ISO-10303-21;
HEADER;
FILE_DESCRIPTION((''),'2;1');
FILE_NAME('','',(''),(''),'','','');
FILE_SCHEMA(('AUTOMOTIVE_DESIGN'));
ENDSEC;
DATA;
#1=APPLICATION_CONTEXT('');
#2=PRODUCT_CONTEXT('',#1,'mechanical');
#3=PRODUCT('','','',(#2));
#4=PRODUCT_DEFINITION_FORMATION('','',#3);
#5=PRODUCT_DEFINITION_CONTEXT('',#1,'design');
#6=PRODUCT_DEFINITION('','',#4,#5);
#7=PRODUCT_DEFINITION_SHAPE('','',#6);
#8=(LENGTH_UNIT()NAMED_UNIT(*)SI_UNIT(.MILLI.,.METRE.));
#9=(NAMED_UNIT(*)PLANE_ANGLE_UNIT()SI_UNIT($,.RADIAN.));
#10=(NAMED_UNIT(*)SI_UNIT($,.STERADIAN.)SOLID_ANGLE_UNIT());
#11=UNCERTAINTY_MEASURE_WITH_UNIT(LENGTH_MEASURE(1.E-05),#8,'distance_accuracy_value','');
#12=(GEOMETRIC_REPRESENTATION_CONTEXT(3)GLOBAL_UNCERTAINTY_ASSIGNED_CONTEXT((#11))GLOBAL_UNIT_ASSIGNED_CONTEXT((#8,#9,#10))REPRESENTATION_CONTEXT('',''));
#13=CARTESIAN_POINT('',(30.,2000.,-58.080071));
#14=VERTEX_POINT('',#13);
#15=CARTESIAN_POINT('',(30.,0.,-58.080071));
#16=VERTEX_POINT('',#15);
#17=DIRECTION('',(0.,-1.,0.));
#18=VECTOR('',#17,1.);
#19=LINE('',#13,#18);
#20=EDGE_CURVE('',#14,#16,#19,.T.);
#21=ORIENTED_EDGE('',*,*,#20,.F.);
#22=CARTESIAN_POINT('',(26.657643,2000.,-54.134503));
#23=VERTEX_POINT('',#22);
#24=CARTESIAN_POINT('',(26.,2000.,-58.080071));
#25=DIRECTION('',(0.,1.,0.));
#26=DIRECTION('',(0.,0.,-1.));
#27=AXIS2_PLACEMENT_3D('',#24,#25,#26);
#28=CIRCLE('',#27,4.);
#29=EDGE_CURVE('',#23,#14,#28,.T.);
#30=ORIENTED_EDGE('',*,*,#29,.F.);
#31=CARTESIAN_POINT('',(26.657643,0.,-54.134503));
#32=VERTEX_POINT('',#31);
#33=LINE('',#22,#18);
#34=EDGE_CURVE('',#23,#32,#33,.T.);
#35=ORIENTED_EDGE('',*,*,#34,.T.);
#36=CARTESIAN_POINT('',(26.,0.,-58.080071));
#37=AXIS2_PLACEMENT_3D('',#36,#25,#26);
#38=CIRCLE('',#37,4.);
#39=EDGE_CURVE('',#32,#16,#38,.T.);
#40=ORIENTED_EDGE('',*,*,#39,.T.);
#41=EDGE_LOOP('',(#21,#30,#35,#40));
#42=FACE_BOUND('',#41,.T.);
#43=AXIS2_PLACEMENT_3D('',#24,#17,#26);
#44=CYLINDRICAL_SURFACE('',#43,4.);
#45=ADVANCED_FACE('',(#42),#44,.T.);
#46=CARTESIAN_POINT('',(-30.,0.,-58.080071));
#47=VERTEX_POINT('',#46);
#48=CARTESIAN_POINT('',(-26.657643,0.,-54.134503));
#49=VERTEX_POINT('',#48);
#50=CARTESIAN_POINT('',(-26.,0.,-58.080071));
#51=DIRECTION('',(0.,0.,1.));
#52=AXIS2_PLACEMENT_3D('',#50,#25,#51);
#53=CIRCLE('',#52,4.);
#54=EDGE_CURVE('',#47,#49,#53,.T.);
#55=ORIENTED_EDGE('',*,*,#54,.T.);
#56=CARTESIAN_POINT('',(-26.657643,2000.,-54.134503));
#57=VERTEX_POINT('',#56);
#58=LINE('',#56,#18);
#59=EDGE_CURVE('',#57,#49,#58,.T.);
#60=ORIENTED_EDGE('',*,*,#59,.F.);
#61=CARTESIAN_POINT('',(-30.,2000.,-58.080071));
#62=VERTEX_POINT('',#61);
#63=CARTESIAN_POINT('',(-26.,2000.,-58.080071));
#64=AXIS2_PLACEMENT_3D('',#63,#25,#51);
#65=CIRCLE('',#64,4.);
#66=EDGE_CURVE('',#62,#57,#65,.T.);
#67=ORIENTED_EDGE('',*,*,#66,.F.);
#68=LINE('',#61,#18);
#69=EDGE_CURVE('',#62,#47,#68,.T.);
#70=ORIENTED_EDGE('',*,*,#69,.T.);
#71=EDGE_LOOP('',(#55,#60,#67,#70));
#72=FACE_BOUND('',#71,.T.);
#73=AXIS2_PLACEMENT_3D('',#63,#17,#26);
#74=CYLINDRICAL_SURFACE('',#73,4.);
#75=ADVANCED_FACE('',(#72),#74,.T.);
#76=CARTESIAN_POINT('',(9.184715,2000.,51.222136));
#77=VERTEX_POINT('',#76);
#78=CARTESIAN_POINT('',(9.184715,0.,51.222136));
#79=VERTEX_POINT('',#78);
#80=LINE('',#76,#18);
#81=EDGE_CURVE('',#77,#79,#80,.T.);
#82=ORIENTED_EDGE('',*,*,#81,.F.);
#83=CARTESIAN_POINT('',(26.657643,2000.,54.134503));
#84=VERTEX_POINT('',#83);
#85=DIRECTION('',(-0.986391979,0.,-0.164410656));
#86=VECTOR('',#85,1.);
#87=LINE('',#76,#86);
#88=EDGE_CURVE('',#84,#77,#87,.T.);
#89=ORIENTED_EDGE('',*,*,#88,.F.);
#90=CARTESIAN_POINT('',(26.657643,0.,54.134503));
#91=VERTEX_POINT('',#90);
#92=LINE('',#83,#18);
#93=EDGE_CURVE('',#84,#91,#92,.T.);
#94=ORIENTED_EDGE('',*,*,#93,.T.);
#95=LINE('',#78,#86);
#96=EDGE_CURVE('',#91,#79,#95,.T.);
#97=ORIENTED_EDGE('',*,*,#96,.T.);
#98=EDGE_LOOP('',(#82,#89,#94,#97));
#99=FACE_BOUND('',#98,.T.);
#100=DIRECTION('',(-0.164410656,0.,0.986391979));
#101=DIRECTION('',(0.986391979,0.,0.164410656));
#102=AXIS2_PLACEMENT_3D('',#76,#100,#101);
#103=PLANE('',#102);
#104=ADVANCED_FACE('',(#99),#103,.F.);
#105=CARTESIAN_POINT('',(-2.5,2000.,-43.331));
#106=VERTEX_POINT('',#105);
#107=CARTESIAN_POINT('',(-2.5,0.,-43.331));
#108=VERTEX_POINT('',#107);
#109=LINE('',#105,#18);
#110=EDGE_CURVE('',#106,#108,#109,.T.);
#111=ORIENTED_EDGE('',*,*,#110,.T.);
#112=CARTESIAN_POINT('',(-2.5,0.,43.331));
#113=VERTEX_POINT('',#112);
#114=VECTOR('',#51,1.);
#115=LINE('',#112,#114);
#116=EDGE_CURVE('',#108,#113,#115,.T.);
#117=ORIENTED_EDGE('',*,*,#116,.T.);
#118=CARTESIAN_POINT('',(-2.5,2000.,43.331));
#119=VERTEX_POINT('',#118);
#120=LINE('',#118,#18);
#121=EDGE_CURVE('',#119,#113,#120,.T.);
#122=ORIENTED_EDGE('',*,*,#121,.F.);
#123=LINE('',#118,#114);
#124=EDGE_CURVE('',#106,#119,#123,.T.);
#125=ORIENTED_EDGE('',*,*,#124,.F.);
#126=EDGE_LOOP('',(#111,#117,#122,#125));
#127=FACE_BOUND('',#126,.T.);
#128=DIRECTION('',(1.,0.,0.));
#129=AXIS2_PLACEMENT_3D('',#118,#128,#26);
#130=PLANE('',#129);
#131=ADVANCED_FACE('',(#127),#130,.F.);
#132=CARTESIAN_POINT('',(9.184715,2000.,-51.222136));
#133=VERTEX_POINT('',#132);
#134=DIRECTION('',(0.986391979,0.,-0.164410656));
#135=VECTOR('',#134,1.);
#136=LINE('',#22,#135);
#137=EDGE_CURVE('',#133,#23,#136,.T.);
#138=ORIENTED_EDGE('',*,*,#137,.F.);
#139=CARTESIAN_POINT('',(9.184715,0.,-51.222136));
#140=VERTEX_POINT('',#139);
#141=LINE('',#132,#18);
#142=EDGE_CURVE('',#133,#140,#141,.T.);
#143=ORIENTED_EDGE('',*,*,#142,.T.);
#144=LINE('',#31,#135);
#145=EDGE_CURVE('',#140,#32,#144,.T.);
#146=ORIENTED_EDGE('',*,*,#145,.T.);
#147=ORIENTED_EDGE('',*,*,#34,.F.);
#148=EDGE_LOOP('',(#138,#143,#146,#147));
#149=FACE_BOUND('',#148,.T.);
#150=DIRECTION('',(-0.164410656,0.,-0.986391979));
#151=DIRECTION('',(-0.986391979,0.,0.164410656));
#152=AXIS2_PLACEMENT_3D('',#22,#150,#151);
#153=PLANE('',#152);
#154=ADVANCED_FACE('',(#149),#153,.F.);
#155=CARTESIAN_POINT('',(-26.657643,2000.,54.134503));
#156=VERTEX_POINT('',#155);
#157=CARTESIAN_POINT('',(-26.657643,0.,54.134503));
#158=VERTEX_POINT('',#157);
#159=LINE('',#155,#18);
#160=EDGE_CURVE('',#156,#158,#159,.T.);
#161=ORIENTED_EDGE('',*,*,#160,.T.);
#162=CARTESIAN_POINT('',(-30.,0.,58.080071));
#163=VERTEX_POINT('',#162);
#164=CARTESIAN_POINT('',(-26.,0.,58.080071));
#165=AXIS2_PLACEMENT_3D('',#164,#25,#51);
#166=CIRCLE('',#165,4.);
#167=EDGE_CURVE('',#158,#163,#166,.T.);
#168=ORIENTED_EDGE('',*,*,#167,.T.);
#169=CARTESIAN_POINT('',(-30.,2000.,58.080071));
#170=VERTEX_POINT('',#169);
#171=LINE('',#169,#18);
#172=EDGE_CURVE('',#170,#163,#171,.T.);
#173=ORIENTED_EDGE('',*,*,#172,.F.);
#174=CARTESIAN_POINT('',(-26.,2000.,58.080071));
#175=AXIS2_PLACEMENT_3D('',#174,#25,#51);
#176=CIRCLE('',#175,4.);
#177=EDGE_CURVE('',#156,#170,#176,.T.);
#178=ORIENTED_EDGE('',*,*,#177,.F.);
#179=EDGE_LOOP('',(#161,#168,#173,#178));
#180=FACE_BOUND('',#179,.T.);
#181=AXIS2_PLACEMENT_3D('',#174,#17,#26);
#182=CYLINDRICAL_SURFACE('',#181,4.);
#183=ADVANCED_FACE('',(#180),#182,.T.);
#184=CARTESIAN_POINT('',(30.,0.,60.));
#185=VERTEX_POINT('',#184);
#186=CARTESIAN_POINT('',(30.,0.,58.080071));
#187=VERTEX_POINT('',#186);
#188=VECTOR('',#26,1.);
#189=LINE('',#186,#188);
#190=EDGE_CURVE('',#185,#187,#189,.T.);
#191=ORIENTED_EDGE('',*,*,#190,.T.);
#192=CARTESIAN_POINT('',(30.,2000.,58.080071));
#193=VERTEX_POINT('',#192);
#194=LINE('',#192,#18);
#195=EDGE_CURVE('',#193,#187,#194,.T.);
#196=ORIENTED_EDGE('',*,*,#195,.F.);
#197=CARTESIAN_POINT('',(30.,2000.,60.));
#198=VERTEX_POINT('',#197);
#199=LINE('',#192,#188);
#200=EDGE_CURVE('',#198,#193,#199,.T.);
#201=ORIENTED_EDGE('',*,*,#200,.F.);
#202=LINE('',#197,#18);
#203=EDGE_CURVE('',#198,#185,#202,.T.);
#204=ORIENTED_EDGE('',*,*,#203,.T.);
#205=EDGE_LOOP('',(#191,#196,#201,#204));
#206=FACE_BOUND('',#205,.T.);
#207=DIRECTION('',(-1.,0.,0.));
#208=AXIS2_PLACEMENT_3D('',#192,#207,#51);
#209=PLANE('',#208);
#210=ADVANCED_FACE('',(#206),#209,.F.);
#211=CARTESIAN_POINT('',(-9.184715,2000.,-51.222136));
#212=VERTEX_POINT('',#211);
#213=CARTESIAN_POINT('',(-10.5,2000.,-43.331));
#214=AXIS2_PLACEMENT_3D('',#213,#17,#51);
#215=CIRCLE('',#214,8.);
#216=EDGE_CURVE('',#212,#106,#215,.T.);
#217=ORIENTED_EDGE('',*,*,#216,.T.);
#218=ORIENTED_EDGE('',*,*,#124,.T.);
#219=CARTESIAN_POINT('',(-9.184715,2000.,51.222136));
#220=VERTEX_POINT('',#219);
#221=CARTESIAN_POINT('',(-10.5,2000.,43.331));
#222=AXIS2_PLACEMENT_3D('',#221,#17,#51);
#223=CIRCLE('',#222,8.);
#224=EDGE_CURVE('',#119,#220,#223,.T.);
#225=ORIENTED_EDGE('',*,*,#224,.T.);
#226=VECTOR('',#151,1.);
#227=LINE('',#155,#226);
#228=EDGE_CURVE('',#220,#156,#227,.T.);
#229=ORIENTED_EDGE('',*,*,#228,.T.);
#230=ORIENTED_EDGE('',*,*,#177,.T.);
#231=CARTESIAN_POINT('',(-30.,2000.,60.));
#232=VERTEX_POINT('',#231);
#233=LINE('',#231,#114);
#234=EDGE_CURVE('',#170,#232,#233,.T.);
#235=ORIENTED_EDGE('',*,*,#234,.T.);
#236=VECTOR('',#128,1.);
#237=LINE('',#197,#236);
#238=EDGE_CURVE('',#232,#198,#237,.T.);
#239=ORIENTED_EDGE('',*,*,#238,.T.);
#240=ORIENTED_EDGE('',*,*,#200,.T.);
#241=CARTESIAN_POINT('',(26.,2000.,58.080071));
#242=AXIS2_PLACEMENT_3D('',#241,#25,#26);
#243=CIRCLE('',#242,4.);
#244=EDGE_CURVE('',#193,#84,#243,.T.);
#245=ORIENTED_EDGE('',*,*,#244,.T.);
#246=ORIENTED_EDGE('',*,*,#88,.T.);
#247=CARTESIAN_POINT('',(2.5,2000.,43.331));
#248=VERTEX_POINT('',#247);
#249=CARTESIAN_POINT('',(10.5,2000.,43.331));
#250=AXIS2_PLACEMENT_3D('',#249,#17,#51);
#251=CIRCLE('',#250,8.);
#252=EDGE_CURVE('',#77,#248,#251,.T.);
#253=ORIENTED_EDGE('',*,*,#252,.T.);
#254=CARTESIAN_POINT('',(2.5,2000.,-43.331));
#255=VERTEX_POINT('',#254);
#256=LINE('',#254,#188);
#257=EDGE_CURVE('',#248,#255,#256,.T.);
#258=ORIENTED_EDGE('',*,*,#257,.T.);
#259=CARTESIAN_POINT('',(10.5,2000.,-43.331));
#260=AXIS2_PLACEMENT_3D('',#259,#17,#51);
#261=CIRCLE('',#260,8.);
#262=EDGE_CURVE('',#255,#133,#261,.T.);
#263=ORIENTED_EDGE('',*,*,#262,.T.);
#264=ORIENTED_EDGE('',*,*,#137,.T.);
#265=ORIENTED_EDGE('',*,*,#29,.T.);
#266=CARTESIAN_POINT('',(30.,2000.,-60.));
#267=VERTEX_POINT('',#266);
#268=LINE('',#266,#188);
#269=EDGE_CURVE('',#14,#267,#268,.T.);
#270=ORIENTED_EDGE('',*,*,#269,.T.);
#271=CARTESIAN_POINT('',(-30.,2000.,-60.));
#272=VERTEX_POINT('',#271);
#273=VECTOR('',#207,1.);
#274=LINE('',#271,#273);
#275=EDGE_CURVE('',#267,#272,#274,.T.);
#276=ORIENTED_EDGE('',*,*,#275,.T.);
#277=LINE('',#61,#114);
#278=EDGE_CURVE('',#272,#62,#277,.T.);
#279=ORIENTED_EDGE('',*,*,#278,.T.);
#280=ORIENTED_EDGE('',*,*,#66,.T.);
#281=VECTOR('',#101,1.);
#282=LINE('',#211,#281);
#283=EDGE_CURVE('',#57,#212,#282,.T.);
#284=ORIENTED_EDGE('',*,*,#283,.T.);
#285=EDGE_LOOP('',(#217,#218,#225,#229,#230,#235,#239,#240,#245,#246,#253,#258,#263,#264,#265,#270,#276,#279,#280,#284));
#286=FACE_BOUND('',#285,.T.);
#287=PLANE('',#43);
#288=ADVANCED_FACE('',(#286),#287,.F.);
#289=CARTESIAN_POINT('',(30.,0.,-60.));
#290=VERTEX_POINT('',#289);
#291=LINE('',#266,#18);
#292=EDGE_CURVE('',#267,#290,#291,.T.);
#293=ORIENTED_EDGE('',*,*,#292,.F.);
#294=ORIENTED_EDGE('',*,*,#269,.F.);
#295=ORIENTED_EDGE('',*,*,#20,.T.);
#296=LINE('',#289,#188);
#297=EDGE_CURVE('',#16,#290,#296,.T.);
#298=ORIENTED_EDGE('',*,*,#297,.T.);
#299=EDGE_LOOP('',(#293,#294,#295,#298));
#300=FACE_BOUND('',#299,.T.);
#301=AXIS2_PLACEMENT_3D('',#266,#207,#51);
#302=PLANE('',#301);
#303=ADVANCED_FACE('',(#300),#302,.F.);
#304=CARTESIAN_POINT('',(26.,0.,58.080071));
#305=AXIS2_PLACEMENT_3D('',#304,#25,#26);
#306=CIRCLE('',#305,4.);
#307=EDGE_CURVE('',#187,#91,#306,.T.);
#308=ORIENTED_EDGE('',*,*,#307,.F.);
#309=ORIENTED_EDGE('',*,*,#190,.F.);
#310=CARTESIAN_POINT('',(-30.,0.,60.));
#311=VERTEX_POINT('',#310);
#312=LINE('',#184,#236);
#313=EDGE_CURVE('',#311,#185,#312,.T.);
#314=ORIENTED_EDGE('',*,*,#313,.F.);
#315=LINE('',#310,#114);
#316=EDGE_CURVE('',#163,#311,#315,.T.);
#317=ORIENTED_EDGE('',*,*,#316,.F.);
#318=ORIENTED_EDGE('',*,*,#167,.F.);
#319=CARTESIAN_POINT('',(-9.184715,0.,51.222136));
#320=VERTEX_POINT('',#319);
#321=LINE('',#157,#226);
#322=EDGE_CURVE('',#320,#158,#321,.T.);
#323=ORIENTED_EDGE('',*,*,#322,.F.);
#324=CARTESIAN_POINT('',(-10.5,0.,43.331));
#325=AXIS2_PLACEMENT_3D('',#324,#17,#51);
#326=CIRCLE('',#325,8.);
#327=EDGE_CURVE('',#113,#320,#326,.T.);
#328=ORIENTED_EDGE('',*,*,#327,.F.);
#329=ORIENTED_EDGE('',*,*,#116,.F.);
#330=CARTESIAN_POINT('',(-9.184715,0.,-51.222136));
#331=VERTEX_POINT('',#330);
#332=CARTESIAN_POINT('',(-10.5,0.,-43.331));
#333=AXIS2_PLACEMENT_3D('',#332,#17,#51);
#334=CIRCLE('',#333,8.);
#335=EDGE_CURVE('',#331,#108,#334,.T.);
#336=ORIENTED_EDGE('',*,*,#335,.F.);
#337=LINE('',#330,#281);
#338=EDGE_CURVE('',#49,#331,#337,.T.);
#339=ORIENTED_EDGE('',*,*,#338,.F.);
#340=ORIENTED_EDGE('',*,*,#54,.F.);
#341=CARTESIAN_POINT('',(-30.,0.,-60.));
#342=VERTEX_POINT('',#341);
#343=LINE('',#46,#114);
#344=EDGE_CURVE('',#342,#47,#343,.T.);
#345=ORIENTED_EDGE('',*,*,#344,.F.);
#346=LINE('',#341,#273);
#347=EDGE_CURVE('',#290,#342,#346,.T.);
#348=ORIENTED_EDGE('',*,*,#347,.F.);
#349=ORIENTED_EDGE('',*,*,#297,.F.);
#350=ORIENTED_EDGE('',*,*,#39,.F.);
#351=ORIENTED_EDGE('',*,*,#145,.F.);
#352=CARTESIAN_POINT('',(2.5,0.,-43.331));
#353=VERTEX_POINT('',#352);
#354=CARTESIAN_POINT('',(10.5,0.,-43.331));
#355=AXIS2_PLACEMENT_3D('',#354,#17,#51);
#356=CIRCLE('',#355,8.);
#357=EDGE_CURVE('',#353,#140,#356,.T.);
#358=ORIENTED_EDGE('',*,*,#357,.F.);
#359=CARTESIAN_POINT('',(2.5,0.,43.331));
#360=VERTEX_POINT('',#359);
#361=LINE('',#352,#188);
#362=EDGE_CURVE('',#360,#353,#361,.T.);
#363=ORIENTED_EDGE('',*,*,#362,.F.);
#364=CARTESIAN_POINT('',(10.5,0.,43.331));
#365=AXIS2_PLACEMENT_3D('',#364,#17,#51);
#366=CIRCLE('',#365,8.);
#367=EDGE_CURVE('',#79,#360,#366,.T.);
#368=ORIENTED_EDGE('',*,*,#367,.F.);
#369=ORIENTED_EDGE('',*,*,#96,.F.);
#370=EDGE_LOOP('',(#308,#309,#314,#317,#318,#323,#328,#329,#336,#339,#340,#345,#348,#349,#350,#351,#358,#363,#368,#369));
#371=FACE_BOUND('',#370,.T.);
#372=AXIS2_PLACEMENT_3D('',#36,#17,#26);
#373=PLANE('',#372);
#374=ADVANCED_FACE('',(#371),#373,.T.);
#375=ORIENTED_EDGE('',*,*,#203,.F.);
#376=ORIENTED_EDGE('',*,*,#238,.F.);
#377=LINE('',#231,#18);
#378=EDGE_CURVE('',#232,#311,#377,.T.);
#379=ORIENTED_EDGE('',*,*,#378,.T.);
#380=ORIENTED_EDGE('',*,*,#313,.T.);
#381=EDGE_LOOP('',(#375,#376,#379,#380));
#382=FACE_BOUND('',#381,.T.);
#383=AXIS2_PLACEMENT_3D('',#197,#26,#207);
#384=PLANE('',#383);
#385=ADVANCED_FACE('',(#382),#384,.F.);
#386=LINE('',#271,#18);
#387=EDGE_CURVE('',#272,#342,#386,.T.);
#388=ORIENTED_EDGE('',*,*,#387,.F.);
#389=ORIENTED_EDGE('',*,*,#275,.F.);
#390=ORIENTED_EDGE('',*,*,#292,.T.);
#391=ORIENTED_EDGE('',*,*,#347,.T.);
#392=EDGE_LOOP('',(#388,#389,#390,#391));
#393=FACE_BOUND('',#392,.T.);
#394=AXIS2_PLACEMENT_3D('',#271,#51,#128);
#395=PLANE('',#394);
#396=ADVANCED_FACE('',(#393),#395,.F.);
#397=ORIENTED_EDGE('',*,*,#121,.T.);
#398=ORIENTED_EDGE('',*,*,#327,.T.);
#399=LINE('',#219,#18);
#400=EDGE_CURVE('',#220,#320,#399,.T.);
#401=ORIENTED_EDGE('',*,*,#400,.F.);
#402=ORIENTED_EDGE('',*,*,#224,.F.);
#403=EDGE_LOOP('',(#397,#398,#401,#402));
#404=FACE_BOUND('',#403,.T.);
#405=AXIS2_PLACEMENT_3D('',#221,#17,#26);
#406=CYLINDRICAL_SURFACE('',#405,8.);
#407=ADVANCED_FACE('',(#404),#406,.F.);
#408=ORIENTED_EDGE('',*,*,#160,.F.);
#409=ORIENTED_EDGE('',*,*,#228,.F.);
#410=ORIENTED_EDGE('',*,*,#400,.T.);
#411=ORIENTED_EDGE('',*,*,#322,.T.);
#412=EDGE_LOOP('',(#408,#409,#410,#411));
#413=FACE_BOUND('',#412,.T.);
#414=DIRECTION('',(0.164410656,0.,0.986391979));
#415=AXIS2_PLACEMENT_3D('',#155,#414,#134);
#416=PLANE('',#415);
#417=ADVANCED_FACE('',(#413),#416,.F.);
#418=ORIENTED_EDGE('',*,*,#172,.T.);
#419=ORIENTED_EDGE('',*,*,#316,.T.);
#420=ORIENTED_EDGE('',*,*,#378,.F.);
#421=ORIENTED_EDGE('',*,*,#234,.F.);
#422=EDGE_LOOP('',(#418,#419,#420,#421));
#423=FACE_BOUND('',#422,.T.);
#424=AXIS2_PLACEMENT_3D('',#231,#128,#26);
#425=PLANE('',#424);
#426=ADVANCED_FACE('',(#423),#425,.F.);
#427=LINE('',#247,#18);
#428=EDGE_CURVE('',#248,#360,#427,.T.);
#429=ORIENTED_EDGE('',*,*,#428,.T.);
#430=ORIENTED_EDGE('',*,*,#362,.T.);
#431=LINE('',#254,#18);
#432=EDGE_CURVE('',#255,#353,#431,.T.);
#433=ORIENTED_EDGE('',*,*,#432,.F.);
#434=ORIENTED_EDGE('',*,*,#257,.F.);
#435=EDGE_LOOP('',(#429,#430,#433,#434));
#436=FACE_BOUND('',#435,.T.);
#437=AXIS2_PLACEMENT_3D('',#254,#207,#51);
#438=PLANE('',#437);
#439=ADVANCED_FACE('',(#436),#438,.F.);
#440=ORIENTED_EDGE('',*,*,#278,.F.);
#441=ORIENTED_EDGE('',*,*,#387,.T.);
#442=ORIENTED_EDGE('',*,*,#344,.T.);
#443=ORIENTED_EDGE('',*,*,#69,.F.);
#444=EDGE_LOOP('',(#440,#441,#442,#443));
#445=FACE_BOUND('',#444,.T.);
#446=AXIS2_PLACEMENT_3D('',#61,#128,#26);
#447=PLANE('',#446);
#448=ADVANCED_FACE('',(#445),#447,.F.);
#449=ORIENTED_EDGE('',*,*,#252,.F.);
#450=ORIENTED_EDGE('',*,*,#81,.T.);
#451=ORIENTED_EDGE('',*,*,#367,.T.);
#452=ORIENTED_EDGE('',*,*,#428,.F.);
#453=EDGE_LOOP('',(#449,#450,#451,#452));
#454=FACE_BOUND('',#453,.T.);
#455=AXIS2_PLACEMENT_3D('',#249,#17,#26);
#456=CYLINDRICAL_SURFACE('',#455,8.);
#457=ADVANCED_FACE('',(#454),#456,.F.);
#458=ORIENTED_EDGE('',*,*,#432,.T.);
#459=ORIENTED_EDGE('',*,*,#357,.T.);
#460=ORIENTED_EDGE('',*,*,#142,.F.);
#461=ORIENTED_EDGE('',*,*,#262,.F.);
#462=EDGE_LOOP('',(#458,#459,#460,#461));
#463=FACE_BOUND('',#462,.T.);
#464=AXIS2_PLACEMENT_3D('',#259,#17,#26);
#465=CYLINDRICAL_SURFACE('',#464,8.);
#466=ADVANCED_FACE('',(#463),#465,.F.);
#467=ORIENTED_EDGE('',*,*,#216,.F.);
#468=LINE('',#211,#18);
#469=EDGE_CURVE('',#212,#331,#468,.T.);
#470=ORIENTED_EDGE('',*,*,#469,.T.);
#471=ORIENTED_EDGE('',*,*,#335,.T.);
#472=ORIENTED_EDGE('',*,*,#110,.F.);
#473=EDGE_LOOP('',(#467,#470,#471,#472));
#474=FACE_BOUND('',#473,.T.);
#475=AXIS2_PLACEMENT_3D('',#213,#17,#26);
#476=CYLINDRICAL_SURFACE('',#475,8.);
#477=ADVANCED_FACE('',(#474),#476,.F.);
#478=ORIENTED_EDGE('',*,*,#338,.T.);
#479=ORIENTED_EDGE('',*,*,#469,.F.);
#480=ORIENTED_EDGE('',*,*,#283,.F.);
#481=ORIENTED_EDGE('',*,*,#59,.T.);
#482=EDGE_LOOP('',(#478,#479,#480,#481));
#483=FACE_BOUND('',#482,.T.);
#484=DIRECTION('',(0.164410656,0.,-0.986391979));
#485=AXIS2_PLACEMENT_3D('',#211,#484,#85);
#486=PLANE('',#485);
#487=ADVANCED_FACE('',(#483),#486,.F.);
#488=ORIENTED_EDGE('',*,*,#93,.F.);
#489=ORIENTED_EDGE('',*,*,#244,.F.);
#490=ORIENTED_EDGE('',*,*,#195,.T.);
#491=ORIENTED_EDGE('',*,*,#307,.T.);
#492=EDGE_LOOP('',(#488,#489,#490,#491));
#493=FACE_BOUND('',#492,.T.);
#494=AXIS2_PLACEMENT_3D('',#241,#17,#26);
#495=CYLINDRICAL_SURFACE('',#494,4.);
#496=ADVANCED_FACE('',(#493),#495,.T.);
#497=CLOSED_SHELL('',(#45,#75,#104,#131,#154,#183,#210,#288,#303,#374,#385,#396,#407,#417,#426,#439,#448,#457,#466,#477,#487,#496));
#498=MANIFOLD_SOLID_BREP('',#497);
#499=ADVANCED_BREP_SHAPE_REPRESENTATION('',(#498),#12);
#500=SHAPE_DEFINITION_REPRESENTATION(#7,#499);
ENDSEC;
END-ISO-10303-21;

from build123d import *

# Parameters (mm, degrees)
SB_BEAM_120_X_12_1_DEPTH = 2000


with BuildPart() as part:
    # Sketch15 → Sb beam 120 X 12(1) (new body)
    with BuildSketch(Plane(origin=(0, 0, 0), x_dir=(-1, 0, 0), z_dir=(0, 1, 0))):
        with BuildLine():
            Line((-30, -60), (-30, -58.080070835))
            ThreePointArc((-30, -58.080070835), (-29.052095223, -55.494589303), (-26.657642624, -54.134502919))
            Line((-26.657642624, -54.134502919), (-9.184714752, -51.222135832))
            ThreePointArc((-9.184714752, -51.222135832), (-4.395809555, -48.501963064), (-2.5, -43.331))
            Line((-2.5, -43.331), (-2.5, 43.331))
            ThreePointArc((-2.5, 43.331), (-4.395809555, 48.501963064), (-9.184714752, 51.222135832))
            Line((-9.184714752, 51.222135832), (-26.657642624, 54.134502919))
            ThreePointArc((-26.657642624, 54.134502919), (-29.052095223, 55.494589303), (-30, 58.080070835))
            Line((-30, 58.080070835), (-30, 60))
            Line((-30, 60), (30, 60))
            Line((30, 60), (30, 58.080070835))
            ThreePointArc((30, 58.080070835), (29.052095223, 55.494589303), (26.657642624, 54.134502919))
            Line((26.657642624, 54.134502919), (9.184714752, 51.222135832))
            ThreePointArc((9.184714752, 51.222135832), (4.395809555, 48.501963064), (2.5, 43.331))
            Line((2.5, 43.331), (2.5, -43.331))
            ThreePointArc((2.5, -43.331), (4.395809555, -48.501963064), (9.184714752, -51.222135832))
            Line((9.184714752, -51.222135832), (26.657642624, -54.134502919))
            ThreePointArc((26.657642624, -54.134502919), (29.052095223, -55.494589303), (30, -58.080070835))
            Line((30, -58.080070835), (30, -60))
            Line((30, -60), (-30, -60))
        make_face()
    extrude(amount=SB_BEAM_120_X_12_1_DEPTH)


solid = part.part
